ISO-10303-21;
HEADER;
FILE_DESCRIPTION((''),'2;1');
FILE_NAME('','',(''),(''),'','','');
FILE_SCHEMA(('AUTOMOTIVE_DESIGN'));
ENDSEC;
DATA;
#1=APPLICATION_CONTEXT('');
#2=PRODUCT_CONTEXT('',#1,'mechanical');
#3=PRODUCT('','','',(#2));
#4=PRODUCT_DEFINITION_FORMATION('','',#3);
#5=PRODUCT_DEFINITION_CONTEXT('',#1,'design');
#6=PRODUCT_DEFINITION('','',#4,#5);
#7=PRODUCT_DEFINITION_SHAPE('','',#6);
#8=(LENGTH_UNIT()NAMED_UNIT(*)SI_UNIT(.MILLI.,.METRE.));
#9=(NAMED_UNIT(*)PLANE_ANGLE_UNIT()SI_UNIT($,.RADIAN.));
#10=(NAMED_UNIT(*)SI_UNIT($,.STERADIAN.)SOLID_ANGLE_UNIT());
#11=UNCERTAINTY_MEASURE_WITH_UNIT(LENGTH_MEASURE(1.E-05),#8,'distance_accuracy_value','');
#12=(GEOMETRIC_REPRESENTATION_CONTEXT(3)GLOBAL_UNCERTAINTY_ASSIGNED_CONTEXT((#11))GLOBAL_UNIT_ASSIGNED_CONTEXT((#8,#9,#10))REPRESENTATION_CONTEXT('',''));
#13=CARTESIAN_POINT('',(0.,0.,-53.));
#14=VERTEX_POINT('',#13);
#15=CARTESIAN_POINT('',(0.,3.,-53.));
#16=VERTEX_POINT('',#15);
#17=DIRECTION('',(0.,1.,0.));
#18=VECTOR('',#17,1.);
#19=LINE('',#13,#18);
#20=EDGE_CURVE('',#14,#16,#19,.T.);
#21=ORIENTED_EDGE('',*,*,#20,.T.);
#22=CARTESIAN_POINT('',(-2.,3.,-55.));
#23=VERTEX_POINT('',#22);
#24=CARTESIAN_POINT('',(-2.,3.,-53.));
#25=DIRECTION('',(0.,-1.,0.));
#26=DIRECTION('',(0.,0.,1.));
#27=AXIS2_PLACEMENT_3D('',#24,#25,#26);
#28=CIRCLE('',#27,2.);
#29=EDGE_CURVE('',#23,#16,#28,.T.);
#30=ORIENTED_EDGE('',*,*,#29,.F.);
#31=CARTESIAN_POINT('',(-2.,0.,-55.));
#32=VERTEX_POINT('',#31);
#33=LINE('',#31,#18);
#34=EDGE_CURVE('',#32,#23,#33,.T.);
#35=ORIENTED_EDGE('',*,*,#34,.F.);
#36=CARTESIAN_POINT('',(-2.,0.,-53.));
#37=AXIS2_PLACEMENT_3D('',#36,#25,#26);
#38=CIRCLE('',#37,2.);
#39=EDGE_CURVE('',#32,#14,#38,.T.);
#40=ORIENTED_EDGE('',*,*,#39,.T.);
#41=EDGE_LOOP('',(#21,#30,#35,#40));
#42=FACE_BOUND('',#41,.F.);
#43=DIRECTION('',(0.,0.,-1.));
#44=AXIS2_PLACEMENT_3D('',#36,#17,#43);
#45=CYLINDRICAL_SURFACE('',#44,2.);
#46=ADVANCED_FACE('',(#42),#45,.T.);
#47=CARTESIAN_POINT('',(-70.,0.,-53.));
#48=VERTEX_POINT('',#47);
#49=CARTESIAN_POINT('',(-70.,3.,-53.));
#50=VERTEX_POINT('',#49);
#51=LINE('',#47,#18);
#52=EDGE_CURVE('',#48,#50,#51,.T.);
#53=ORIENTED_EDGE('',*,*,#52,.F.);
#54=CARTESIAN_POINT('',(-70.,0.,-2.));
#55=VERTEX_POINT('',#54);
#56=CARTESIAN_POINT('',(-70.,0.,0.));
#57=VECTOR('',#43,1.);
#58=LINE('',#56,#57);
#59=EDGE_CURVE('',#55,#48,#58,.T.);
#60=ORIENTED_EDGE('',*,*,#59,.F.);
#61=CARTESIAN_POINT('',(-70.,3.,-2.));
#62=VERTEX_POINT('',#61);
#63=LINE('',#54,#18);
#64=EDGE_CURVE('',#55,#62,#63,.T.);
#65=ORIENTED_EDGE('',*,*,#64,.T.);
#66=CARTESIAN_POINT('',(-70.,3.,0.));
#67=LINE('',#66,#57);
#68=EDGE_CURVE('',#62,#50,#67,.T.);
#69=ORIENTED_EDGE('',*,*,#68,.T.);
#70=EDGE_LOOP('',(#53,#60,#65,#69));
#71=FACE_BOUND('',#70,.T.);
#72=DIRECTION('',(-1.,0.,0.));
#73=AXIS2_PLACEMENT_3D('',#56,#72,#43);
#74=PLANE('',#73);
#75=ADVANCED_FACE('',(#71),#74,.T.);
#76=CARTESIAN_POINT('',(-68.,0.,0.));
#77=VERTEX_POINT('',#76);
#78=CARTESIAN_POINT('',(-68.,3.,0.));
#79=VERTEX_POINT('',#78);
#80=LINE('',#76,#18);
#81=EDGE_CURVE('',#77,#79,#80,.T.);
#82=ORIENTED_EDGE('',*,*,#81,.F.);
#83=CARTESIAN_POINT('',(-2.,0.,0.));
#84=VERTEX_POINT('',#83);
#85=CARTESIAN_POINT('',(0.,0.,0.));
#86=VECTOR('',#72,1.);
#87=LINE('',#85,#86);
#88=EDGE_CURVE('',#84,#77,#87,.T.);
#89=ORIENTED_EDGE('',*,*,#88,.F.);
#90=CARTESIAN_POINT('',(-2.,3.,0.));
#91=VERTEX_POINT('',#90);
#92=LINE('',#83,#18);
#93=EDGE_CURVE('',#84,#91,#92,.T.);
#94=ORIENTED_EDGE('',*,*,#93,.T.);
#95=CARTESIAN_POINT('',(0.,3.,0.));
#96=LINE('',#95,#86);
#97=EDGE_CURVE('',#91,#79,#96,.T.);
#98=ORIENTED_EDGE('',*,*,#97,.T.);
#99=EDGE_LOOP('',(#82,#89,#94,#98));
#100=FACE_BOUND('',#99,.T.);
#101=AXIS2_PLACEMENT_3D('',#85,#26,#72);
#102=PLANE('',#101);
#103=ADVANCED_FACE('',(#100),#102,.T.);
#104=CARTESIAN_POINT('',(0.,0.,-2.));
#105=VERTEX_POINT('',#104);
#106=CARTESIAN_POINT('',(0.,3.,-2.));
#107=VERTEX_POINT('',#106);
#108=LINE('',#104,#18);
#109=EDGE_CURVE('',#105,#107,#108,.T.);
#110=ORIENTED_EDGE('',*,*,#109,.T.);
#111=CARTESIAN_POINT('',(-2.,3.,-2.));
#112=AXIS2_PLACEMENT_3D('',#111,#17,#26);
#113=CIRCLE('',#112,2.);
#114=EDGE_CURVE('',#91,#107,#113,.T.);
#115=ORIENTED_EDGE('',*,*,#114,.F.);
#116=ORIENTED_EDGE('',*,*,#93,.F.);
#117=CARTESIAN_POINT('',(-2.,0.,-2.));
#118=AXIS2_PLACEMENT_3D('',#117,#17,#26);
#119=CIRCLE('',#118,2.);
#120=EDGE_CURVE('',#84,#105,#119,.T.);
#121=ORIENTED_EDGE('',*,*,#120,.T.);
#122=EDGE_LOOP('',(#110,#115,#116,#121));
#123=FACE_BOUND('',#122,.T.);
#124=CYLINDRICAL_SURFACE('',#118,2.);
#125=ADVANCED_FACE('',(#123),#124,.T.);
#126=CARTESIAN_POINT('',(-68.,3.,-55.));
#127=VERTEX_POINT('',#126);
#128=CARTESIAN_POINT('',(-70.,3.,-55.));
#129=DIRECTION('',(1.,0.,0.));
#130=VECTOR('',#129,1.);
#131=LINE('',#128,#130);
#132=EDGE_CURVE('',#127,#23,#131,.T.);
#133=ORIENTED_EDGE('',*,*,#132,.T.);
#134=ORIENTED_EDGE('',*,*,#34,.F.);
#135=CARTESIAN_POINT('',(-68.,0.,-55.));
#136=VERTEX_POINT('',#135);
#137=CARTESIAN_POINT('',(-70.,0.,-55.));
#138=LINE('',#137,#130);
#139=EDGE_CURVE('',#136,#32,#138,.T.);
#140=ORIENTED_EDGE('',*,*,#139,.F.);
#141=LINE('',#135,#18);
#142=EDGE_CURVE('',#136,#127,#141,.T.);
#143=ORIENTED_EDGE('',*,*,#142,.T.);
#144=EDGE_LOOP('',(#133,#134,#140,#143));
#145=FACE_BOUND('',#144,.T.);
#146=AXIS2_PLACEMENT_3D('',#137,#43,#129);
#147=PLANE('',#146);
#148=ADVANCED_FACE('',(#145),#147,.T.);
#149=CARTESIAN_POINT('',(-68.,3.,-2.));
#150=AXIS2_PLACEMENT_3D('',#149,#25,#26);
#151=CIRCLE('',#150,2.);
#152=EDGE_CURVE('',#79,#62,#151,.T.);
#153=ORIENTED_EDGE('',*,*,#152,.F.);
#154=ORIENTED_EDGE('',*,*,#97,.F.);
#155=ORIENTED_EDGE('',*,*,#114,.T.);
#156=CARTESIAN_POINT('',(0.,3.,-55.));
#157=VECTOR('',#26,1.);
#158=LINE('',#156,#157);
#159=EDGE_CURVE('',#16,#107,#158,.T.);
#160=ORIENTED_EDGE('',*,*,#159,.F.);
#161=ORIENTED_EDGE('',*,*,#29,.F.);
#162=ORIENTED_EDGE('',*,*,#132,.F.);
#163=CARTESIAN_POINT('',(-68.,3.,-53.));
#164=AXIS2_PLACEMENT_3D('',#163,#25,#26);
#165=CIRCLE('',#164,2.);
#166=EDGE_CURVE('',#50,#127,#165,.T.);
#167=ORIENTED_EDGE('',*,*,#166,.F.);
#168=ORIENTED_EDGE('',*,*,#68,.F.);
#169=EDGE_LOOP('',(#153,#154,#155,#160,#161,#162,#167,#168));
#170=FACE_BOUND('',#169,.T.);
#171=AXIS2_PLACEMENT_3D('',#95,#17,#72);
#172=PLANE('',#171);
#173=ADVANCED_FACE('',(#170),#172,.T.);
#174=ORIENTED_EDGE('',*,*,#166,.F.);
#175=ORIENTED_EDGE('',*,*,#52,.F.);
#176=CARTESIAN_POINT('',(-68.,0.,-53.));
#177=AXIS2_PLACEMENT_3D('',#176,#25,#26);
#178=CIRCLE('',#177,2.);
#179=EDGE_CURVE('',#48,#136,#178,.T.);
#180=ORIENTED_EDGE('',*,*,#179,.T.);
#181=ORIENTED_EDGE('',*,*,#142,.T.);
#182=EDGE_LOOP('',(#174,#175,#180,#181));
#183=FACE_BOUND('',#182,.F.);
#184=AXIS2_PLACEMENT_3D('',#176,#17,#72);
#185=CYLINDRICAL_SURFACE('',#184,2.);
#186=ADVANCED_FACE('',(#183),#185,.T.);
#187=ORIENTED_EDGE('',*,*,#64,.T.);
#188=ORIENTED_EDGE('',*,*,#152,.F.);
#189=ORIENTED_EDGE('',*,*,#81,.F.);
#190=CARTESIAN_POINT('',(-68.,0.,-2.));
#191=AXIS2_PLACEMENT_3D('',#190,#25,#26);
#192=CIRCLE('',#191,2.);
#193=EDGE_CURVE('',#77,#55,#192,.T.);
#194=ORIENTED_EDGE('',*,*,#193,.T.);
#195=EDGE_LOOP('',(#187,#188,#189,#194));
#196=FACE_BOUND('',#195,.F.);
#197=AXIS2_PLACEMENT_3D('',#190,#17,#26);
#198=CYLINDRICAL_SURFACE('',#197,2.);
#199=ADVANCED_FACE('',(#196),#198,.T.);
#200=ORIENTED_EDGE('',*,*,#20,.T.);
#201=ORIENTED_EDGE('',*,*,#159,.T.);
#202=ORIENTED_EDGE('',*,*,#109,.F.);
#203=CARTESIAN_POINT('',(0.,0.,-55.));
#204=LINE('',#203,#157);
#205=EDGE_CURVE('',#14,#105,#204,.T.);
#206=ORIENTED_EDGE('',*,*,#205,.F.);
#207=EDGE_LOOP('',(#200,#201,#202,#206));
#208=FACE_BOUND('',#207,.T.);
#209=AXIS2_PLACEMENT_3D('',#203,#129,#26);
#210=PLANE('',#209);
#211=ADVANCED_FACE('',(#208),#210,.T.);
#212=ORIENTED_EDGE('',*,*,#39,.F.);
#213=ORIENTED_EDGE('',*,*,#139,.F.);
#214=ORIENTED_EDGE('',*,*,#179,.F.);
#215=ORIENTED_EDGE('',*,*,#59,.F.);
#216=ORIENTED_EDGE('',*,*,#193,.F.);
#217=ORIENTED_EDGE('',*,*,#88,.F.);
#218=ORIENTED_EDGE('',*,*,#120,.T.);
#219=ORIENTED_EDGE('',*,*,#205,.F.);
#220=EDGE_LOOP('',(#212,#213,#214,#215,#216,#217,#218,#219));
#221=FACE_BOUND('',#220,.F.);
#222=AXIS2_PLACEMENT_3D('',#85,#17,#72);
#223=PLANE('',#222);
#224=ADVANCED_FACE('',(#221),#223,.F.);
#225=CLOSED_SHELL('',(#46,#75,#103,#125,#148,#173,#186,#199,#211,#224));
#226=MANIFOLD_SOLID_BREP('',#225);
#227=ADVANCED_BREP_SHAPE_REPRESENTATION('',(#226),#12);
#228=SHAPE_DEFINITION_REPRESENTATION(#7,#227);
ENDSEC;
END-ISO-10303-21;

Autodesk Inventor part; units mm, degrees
ref_plane "YZ Plane" through (0, 0, 0) normal (1, 0, 0) x (0, 1, 0)
ref_plane "XZ Plane" through (0, 0, 0) normal (0, 1, 0) x (-1, 0, 0)
ref_plane "XY Plane" through (0, 0, 0) normal (0, 0, 1) x (1, 0, 0)
sketch "Sketch1" plane through (0, 0, 0) normal (0, 1, 0) x (-1, 0, 0)
  line L0 (0, 0) -> (70, 0)
  line L1 (70, 0) -> (70, -55)
  line L2 (70, -55) -> (0, -55)
  line L3 (0, -55) -> (0, 0)
  dimension "d0" = 70
  dimension "d1" = 55
extrude "Extrusion1" add sketch "Sketch1" along normal blind 3
fillet "Fillet1" radius 2 4 edges at (-70, 1.5, 0) (0, 1.5, 0) (0, 1.5, -55) (-70, 1.5, -55)
sketch "Sketch2" plane through (0, 3, 0) normal (0, 1, 0) x (1, 0, 0)
  line L0 (-80, 71.1328) -> (10, 71.1328) construction
  line L1 (10, 71.1328) -> (10, -15) construction
  line L2 (10, -15) -> (-80, -15) construction
  line L3 (-80, -15) -> (-80, 71.1328) construction
  point P0 (0, 0)
  dimension "d20" = 10
  dimension "d21" = 15
  dimension "d31" = 90
decal "Decal1"
properties part number "solar-panel"
